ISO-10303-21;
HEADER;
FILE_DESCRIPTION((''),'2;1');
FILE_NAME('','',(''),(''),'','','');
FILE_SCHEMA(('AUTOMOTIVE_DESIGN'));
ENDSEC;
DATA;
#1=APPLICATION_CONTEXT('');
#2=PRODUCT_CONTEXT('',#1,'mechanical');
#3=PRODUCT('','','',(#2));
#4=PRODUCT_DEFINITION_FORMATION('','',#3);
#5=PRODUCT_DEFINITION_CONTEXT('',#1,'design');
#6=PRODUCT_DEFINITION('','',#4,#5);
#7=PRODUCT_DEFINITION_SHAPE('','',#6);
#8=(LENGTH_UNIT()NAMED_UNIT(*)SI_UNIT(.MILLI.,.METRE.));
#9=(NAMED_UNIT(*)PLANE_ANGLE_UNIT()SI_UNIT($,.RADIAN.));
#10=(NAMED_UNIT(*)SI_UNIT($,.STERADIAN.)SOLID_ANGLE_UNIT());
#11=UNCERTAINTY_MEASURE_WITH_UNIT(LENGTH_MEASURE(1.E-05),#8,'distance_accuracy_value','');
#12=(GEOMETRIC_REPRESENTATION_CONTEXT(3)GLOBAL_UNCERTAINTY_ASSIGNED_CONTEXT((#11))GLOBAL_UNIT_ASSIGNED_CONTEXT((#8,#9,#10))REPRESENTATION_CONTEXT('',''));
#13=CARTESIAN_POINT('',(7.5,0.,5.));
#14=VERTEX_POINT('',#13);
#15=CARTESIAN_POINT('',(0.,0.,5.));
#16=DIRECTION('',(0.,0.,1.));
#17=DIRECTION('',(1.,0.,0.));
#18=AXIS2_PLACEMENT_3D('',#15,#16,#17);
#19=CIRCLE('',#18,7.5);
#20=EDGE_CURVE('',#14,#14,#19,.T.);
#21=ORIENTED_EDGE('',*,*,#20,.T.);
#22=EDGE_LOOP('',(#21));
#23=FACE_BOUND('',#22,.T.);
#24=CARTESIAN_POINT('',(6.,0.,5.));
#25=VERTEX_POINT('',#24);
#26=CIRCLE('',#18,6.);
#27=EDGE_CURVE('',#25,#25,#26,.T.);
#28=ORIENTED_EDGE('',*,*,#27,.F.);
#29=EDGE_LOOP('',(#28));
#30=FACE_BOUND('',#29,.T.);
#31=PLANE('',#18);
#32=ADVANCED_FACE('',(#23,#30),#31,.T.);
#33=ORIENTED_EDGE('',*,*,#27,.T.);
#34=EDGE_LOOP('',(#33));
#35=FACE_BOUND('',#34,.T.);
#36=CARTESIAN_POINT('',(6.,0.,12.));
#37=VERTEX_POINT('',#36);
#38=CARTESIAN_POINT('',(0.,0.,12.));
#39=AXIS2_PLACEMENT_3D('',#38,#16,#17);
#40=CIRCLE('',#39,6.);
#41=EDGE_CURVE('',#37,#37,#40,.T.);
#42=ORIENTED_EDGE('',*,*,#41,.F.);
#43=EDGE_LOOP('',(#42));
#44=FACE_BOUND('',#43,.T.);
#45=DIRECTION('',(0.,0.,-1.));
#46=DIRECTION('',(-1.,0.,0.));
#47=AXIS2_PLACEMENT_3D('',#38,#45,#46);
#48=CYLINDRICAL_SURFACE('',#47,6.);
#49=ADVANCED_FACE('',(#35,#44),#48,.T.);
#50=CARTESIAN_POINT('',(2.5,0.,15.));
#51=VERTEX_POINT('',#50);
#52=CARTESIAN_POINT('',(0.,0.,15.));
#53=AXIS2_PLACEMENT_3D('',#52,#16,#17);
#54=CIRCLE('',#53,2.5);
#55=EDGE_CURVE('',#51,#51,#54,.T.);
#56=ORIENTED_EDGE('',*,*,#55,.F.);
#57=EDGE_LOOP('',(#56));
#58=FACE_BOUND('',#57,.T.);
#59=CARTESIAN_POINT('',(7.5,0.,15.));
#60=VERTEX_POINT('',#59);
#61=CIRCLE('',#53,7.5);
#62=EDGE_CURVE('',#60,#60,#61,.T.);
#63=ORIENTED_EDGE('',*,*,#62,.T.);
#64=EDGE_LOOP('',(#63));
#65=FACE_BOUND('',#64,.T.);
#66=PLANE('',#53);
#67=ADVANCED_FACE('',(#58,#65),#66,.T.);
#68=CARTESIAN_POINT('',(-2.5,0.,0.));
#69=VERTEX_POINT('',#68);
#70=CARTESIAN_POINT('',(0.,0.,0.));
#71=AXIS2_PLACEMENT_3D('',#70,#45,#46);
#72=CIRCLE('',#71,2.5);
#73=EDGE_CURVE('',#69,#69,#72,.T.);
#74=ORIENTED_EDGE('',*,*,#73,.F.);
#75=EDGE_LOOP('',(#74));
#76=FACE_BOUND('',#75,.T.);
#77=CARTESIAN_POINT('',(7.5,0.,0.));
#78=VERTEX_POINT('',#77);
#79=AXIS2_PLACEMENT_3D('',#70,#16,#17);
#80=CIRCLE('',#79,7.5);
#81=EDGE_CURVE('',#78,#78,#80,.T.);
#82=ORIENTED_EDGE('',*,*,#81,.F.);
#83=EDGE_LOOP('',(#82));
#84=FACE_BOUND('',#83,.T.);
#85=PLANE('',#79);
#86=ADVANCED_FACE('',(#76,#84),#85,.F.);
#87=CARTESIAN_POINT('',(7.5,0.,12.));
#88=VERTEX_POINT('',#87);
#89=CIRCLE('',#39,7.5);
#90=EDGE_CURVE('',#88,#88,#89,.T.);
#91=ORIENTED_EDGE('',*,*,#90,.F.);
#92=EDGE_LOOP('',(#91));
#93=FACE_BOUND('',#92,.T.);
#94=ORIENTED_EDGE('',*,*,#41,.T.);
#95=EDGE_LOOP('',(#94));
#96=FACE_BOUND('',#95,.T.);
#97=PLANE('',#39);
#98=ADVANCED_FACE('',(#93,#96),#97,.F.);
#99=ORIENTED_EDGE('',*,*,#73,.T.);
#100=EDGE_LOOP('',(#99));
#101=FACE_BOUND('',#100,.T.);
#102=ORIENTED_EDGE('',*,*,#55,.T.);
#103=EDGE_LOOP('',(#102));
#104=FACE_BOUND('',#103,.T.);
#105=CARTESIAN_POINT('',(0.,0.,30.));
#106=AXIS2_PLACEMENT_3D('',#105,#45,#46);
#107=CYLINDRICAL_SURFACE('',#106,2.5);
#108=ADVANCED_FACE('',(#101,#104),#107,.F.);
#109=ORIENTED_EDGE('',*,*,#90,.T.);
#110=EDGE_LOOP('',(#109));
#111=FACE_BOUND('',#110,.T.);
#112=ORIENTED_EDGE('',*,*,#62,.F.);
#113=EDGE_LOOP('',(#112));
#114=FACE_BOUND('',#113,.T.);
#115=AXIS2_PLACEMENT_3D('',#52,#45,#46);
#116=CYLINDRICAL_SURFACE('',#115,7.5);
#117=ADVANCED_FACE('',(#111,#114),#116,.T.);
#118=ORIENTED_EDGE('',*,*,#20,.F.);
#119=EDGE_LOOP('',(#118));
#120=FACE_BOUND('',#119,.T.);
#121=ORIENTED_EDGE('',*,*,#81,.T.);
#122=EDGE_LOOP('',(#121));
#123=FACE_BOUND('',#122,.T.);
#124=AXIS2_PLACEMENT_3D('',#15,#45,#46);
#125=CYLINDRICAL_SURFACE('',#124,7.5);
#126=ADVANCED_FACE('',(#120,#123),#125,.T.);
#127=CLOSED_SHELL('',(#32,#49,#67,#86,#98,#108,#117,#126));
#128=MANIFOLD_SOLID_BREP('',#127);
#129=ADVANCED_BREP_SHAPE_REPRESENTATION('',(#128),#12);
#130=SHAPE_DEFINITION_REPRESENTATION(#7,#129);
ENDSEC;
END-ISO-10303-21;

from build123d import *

# Parameters (mm, degrees)
ESQUISSE1_R             = 7.5
BOSS_EXTRU_1_DEPTH      = 5
ESQUISSE2_R             = 6
BOSS_EXTRU_2_DEPTH      = 7
ESQUISSE3_R             = 7.5
BOSS_EXTRU_3_DEPTH      = 3
ESQUISSE4_R             = 2.5
ENL_V_MAT_EXTRU_1_DEPTH = 30


with BuildPart() as part:
    # Esquisse1 → Boss.-Extru.1 (new body)
    with BuildSketch(Plane.XY):
        Circle(ESQUISSE1_R)
    extrude(amount=BOSS_EXTRU_1_DEPTH)

    # Esquisse2 → Boss.-Extru.2 (add)
    with BuildSketch(Plane.XY.offset(5)):
        Circle(ESQUISSE2_R)
    extrude(amount=BOSS_EXTRU_2_DEPTH)

    # Esquisse3 → Boss.-Extru.3 (add)
    with BuildSketch(Plane.XY.offset(12)):
        Circle(ESQUISSE3_R)
    extrude(amount=BOSS_EXTRU_3_DEPTH)

    # Esquisse4 → Enlèv. mat.-Extru.1 (cut)
    with BuildSketch(Plane(origin=(0, 0, 0), x_dir=(-1, 0, 0), z_dir=(0, 0, -1))):
        Circle(ESQUISSE4_R)
    extrude(amount=-ENL_V_MAT_EXTRU_1_DEPTH, mode=Mode.SUBTRACT)


solid = part.part
